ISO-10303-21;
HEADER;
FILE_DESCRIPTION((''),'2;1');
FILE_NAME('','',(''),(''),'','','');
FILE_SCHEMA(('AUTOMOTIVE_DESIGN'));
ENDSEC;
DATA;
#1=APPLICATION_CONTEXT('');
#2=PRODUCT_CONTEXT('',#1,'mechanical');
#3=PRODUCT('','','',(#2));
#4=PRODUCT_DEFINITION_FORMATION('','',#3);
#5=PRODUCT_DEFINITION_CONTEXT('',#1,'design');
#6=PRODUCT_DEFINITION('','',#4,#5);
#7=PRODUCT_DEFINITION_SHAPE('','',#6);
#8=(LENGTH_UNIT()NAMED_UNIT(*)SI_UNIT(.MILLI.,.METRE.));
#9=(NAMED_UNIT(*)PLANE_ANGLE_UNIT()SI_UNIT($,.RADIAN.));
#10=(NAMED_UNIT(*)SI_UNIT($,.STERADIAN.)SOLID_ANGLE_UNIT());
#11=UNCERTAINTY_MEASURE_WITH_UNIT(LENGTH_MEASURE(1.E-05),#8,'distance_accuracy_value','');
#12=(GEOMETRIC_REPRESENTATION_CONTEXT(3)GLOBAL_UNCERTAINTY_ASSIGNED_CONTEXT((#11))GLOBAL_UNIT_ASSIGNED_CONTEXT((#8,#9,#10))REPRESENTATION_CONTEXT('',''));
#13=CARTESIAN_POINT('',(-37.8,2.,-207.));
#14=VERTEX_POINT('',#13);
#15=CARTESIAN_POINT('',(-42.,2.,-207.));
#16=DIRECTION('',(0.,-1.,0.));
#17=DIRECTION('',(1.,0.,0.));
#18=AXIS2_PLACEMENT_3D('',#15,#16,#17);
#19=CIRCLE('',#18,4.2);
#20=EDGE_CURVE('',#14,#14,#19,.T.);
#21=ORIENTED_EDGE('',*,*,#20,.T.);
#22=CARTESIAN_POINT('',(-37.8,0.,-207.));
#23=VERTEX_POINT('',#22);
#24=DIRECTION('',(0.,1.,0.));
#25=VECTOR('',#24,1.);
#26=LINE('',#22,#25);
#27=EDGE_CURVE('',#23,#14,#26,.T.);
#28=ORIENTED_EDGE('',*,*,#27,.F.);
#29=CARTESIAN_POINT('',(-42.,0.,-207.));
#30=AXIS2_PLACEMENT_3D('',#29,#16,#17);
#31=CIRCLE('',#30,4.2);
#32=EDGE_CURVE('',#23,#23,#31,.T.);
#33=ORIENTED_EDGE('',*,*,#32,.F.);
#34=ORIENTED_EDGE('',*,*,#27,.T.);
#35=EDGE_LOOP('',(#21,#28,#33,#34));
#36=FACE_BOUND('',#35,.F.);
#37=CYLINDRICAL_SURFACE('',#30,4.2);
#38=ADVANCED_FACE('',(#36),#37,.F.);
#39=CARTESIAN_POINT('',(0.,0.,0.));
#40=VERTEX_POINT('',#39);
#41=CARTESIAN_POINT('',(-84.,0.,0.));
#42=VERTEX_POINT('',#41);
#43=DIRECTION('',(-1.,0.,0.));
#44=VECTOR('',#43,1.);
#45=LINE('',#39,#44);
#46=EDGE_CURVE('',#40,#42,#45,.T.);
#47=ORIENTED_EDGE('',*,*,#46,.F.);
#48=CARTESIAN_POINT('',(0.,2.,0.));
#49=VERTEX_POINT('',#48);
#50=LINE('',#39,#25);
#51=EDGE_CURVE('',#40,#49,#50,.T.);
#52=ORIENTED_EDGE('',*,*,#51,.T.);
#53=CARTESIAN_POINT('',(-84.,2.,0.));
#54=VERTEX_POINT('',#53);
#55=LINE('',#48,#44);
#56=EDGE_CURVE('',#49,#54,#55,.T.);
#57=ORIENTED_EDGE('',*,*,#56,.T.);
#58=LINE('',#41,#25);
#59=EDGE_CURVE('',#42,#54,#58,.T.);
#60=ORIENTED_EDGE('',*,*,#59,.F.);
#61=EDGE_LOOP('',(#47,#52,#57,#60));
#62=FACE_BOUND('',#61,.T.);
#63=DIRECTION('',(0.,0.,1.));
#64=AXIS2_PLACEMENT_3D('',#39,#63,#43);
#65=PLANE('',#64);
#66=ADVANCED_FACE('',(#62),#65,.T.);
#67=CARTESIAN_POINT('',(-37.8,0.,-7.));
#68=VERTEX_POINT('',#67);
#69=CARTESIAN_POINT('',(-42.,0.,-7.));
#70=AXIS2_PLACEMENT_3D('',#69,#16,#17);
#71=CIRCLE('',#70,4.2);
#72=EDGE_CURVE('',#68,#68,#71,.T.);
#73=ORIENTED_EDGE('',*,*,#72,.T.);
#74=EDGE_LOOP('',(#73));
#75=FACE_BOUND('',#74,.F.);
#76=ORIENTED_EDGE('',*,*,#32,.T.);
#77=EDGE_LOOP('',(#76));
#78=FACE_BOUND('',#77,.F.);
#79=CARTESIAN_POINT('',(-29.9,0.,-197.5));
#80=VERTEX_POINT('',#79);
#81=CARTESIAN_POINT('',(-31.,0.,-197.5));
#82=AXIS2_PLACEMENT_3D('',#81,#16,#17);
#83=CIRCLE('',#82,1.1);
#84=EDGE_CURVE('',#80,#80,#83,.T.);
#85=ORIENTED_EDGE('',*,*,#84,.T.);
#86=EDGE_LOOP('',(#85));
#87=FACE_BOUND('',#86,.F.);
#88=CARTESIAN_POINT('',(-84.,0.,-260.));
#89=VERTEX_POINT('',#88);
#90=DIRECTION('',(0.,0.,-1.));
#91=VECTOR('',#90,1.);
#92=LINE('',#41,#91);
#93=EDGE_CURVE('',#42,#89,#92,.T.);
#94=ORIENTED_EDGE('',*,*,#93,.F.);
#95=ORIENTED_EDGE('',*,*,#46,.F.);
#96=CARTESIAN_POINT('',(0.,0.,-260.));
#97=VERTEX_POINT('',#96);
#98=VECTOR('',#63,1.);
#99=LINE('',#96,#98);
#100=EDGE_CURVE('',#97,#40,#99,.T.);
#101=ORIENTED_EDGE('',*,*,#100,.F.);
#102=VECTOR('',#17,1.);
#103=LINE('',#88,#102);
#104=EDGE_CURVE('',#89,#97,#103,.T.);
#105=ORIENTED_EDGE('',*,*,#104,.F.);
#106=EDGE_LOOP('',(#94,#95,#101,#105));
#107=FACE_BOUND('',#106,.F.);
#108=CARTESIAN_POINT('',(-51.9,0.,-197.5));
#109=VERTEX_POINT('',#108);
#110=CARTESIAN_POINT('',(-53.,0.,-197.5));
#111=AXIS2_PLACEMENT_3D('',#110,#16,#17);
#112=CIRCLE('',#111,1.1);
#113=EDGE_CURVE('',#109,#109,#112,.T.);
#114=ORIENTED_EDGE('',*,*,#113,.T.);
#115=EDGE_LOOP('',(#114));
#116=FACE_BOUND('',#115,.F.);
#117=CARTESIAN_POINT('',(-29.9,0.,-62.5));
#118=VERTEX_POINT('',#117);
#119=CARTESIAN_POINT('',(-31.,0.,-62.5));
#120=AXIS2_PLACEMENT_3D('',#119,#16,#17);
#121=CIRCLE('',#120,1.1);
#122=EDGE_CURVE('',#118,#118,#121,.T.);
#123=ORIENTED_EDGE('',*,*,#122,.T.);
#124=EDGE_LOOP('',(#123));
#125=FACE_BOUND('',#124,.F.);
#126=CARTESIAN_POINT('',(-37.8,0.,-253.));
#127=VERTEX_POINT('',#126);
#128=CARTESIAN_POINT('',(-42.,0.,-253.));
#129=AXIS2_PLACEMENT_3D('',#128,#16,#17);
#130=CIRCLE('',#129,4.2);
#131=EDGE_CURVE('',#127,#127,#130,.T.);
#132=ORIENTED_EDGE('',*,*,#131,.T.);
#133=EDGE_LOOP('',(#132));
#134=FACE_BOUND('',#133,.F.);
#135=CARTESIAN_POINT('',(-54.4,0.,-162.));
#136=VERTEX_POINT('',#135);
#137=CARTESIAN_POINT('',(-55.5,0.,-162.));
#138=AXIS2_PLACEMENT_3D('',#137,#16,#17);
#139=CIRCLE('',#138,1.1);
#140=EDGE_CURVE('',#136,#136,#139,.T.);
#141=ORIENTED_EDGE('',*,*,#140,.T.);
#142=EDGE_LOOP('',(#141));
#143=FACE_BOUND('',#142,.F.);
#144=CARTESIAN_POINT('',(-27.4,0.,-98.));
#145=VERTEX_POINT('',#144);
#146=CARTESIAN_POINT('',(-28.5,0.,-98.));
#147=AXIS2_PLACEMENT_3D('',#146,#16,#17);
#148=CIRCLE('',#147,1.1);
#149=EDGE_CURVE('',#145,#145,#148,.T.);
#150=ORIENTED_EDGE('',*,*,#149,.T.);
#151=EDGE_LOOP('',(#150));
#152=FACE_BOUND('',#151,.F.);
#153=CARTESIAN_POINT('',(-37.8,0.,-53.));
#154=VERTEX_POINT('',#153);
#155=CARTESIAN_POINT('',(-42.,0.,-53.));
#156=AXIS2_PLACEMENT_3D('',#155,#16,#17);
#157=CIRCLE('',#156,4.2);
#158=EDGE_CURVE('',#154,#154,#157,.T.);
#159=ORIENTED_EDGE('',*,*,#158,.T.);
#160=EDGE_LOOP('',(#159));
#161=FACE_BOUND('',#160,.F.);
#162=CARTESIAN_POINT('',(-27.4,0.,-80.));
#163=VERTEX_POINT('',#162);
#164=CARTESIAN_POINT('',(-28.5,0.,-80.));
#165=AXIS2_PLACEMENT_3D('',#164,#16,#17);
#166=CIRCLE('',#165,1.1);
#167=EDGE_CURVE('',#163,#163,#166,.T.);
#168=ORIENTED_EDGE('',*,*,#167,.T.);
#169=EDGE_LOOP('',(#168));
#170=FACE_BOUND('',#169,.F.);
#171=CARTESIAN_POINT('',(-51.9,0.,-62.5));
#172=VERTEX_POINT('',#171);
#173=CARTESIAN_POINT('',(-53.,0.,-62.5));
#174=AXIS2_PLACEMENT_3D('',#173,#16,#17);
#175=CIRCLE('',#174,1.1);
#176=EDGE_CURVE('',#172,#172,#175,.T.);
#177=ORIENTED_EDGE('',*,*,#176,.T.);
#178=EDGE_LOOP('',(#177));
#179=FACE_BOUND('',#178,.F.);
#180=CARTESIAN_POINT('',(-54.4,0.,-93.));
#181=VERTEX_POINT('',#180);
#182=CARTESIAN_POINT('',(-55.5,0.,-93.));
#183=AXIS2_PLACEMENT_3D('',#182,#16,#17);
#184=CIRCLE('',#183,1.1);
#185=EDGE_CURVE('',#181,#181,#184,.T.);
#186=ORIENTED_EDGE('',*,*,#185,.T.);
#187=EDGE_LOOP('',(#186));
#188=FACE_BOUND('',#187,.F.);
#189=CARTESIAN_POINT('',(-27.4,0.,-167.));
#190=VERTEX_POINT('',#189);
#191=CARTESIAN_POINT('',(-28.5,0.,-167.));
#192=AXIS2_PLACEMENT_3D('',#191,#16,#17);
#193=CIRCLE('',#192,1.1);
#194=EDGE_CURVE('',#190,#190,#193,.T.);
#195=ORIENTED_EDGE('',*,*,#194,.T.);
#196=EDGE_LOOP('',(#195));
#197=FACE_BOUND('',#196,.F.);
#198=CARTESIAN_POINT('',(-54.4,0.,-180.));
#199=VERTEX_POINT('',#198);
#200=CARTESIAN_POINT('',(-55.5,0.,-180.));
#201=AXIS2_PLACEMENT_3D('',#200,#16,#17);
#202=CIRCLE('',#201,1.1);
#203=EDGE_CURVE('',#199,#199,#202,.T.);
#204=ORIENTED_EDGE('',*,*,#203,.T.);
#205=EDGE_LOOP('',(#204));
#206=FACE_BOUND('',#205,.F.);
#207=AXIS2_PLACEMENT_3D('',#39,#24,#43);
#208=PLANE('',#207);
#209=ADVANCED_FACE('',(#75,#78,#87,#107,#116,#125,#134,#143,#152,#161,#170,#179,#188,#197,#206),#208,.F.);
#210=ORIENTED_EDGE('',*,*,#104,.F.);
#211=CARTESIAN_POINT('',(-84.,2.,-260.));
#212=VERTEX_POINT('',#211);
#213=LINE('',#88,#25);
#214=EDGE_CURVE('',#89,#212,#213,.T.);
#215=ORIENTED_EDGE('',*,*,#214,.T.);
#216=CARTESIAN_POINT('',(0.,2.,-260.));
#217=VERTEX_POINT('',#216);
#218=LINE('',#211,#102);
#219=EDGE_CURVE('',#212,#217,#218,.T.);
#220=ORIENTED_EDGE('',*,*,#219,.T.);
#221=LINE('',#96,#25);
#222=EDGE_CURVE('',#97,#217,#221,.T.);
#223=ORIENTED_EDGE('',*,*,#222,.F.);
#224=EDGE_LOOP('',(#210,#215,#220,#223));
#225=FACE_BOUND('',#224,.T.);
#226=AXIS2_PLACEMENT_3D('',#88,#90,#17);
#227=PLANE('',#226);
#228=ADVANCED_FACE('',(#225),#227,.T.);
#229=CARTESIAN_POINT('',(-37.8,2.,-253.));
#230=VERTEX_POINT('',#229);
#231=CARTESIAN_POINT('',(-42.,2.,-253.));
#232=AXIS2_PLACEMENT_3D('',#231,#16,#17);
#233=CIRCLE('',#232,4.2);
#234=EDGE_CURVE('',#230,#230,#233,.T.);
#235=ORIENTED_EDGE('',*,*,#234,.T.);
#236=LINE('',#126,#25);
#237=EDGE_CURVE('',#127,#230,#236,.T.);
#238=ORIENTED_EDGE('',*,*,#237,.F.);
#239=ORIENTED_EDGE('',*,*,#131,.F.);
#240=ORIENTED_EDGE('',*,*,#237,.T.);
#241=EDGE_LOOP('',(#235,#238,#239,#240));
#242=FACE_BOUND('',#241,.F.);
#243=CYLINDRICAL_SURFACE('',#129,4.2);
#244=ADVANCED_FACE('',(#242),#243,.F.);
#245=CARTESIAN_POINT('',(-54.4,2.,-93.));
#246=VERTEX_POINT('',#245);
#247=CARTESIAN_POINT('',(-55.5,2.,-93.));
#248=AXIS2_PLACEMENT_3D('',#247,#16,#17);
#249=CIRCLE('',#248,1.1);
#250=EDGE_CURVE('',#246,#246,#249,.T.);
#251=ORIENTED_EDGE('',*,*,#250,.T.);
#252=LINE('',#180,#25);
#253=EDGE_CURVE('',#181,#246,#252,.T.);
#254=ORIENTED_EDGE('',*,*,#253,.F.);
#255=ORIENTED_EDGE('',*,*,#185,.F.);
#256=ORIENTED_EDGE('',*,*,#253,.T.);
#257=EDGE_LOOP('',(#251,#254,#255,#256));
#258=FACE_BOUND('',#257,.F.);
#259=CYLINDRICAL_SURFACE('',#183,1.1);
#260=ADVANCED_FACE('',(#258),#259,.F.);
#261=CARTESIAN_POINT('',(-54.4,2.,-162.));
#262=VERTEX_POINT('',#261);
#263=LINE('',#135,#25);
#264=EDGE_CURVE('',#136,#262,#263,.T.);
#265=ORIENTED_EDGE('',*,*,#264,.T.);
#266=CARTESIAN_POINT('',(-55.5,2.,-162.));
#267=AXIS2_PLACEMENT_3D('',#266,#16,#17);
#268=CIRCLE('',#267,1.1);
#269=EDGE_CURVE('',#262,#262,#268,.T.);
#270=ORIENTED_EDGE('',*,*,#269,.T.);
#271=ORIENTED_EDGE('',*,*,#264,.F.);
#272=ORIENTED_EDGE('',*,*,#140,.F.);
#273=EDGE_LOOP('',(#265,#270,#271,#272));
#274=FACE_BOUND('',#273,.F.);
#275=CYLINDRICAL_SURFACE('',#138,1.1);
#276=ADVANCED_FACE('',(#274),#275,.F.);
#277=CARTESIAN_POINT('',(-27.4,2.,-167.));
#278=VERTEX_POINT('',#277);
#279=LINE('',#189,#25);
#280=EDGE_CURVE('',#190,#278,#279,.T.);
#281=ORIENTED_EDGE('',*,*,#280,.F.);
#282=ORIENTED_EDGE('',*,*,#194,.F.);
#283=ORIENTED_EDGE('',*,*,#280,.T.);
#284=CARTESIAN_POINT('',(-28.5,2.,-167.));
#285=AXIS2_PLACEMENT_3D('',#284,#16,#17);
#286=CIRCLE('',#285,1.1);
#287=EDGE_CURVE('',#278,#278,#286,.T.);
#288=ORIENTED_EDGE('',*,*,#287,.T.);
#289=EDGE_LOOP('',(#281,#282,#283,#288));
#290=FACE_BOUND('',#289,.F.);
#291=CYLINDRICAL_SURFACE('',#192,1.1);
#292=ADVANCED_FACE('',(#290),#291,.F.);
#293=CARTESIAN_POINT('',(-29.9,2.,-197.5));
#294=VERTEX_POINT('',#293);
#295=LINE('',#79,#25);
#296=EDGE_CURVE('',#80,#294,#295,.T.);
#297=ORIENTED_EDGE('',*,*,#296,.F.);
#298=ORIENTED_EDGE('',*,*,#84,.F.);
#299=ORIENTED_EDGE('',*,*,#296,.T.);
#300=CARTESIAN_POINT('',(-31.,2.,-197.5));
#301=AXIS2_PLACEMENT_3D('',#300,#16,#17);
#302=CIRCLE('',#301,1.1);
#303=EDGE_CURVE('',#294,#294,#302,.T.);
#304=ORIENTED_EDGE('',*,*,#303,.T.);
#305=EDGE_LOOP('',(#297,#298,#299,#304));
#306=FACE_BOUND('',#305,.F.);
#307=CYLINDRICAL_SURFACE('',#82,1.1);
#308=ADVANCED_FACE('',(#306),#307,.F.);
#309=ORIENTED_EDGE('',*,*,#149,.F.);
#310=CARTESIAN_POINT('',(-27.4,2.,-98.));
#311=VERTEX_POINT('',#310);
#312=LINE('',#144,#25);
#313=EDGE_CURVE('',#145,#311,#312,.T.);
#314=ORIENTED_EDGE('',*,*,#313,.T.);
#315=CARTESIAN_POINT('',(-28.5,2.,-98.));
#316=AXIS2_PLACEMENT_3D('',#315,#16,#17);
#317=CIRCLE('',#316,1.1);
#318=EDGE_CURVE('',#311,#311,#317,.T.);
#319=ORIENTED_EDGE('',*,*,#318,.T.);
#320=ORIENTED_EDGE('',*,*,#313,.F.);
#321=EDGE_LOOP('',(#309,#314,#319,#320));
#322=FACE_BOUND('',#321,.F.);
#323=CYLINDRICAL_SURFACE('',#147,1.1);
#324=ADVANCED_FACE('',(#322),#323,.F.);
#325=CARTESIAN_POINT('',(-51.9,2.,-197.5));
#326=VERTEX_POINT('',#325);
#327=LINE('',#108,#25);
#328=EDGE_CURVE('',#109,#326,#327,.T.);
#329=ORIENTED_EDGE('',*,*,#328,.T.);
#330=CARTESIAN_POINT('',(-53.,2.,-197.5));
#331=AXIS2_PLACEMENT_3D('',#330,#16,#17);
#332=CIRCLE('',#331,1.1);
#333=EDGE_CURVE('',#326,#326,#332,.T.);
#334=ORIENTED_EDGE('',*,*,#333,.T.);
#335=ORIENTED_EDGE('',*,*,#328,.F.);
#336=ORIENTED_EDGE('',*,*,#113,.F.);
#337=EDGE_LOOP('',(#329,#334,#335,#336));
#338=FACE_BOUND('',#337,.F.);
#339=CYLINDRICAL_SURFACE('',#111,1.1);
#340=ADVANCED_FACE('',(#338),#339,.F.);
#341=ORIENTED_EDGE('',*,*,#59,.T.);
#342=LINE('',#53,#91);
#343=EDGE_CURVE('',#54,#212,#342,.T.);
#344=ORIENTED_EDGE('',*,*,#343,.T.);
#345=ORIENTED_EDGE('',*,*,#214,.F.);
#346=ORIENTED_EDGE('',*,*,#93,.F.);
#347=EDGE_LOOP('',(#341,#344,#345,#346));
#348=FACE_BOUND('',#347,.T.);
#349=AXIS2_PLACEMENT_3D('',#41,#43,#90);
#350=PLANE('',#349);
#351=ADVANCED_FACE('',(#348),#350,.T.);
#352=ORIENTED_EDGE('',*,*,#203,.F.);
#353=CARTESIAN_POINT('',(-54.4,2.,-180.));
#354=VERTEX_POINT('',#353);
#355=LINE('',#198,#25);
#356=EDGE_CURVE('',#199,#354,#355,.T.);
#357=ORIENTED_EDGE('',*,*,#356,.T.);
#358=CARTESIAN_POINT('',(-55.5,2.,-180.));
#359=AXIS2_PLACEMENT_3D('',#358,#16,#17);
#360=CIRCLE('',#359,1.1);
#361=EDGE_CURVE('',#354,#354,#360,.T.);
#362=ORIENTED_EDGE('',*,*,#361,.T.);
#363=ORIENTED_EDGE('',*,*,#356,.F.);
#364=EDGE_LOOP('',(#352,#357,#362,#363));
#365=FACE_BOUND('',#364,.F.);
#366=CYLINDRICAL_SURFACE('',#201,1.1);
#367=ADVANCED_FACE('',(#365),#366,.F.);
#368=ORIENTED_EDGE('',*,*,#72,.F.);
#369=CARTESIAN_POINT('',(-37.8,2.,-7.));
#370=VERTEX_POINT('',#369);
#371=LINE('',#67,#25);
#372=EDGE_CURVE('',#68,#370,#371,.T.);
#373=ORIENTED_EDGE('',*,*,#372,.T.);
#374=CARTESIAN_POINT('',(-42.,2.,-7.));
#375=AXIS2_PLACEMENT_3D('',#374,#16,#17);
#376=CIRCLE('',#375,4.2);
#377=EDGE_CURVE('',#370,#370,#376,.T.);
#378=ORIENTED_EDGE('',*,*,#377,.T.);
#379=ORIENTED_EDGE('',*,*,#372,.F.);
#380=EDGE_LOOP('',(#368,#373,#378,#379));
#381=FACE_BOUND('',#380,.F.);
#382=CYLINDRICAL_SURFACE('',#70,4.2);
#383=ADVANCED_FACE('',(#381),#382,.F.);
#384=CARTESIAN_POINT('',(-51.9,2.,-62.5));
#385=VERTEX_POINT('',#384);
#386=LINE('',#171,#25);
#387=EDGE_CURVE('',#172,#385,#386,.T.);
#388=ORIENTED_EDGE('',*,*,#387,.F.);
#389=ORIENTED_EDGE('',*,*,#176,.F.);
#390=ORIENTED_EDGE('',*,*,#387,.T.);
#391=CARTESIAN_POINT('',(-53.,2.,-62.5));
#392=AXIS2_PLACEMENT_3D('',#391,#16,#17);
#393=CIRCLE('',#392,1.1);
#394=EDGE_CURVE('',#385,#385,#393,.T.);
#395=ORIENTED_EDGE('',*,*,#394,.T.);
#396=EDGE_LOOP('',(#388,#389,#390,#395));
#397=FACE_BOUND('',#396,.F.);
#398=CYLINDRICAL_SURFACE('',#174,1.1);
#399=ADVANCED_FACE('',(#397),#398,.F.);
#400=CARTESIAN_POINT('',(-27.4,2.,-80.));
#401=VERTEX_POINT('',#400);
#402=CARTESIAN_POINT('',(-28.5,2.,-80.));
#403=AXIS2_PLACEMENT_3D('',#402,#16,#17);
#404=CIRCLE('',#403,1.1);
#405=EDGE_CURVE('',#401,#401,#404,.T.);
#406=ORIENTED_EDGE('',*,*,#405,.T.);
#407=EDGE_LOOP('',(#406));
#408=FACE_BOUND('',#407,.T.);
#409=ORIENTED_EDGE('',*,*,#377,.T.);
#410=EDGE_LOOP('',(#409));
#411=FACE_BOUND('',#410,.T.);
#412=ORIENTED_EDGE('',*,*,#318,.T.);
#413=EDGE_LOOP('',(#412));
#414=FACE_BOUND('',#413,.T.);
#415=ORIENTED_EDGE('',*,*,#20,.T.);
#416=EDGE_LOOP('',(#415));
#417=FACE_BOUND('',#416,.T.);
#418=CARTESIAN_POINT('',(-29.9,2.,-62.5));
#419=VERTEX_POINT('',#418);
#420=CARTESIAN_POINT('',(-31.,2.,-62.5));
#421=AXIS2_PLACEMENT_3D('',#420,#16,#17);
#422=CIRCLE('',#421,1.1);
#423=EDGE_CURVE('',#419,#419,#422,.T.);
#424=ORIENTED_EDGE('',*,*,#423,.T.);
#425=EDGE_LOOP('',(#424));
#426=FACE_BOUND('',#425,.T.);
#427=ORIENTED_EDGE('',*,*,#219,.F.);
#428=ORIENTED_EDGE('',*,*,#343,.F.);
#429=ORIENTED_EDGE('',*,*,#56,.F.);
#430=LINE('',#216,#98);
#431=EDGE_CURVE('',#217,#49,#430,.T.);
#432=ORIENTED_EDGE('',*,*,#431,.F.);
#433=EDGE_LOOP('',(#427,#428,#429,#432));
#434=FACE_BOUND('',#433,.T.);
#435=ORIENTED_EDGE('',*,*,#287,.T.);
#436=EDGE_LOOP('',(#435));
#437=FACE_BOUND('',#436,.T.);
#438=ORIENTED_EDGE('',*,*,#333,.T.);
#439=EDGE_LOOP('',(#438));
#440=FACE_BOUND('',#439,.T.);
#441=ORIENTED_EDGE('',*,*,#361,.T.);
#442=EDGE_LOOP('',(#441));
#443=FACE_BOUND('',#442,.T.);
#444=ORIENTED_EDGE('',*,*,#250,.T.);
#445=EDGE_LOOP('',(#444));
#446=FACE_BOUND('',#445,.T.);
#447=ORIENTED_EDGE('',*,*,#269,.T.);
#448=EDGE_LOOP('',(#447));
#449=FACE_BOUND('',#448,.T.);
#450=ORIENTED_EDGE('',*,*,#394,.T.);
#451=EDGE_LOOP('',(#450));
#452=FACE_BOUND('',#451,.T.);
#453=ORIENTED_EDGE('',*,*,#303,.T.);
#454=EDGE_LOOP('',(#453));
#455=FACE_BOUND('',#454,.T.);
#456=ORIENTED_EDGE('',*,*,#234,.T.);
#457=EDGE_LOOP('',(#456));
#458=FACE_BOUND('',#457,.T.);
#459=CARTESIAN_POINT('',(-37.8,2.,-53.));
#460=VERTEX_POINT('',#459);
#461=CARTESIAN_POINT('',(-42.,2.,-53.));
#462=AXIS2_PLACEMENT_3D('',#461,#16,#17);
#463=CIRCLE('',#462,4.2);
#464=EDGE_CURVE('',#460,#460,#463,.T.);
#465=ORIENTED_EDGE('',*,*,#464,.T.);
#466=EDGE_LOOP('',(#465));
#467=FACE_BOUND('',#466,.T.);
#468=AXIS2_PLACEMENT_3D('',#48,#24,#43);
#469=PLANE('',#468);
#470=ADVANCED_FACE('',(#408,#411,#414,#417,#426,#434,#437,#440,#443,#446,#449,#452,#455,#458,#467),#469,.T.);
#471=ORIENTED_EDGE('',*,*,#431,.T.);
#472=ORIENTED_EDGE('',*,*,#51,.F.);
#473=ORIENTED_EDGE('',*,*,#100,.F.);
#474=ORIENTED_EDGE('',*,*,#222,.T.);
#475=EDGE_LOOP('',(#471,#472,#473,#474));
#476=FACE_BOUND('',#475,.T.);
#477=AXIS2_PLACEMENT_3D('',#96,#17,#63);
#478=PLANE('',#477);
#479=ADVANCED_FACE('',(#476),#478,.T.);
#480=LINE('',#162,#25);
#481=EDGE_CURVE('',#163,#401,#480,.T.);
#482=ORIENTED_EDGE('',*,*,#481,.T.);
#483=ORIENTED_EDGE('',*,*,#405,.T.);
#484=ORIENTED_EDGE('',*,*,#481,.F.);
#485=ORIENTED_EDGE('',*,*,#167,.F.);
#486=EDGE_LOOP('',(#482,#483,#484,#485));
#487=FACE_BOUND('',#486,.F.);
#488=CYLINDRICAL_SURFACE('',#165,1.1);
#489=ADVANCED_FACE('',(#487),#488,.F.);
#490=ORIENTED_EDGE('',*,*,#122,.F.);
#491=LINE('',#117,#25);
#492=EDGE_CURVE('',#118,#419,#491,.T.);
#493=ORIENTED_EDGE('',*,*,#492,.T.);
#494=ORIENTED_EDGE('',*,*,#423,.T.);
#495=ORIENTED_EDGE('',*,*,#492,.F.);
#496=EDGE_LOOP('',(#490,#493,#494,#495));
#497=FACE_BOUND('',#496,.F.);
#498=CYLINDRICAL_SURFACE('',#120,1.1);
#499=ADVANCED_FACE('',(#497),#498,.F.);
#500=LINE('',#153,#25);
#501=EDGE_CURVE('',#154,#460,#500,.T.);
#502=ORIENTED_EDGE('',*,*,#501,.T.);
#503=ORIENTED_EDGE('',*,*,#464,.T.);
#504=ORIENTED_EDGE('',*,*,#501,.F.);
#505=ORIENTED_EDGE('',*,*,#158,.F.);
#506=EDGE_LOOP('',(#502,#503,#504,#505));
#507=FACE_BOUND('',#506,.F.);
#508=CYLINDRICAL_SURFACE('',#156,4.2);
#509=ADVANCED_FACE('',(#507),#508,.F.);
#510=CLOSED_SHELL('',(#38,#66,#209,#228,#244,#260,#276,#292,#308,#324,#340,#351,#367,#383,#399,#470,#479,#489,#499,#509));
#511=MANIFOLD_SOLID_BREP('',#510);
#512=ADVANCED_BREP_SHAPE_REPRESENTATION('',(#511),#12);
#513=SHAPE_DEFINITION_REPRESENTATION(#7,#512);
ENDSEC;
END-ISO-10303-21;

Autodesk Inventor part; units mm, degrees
ref_plane "YZ Plane" through (0, 0, 0) normal (1, 0, 0) x (0, 1, 0)
ref_plane "XZ Plane" through (0, 0, 0) normal (0, 1, 0) x (-1, 0, 0)
ref_plane "XY Plane" through (0, 0, 0) normal (0, 0, 1) x (1, 0, 0)
sketch "スケッチ1" plane through (0, 0, 0) normal (0, 1, 0) x (-1, 0, 0)
  line L0 (0, 0) -> (84, 0)
  line L1 (84, 0) -> (84, -260)
  line L2 (84, -260) -> (0, -260)
  line L3 (0, -260) -> (0, 0)
  dimension "d0" = 84
  dimension "d1" = 260
extrude "押し出し1" add sketch "スケッチ1" along normal blind 2
sketch "スケッチ2" plane through (0, 0, 0) normal (0, -1, 0) x (1, 0, 0)
  circle A0 centre (-42, -7) radius 4.2
  line L0 (0, -260) -> (0, 0) projected
  line L1 (0, 0) -> (-84, 0) projected
  circle A1 centre (-42, -53) radius 4.2
  circle A2 centre (-42, -253) radius 4.2
  circle A3 centre (-42, -207) radius 4.2
  line L2 (-84, -260) -> (0, -260) projected
  circle A4 centre (-28.5, -80) radius 1.1
  circle A5 centre (-28.5, -98) radius 1.1
  circle A6 centre (-55.5, -93) radius 1.1
  circle A7 centre (-53, -62.5) radius 1.1
  circle A8 centre (-31, -62.5) radius 1.1
  circle A9 centre (-31, -197.5) radius 1.1
  circle A10 centre (-53, -197.5) radius 1.1
  circle A11 centre (-55.5, -180) radius 1.1
  circle A12 centre (-55.5, -162) radius 1.1
  circle A13 centre (-28.5, -167) radius 1.1
  dimension "d4" = 8.4
  dimension "d6" = 42
  dimension "d7" = 7
  dimension "d8" = 8.4
  dimension "d10" = 42
  dimension "d11" = 8.4
  dimension "d12" = 8.4
  dimension "d13" = 42
  dimension "d14" = 7
  dimension "d15" = 42
  dimension "d29" = 46
  dimension "d30" = 2.2
  dimension "d32" = 80
  dimension "d33" = 2.2
  dimension "d35" = 2.2
  dimension "d37" = 93
  dimension "d38" = 53
  dimension "d39" = 55.5
  dimension "d40" = 28.5
  dimension "d41" = 28.5
  dimension "d42" = 2.2
  dimension "d44" = 62.5
  dimension "d45" = 2.2
  dimension "d47" = 62.5
  dimension "d48" = 53
  dimension "d49" = 31
  dimension "d57" = 98
  dimension "d58" = 2.2
  dimension "d59" = 31
  dimension "d60" = 197.5
  dimension "d61" = 2.2
  dimension "d62" = 53
  dimension "d63" = 197.5
  dimension "d64" = 2.2
  dimension "d65" = 55.5
  dimension "d66" = 180
  dimension "d67" = 2.2
  dimension "d68" = 55.5
  dimension "d69" = 162
  dimension "d70" = 2.2
  dimension "d71" = 28.5
  dimension "d72" = 167
extrude "押し出し6" cut sketch "スケッチ2" against normal blind 2
properties part number "bottom_board"
